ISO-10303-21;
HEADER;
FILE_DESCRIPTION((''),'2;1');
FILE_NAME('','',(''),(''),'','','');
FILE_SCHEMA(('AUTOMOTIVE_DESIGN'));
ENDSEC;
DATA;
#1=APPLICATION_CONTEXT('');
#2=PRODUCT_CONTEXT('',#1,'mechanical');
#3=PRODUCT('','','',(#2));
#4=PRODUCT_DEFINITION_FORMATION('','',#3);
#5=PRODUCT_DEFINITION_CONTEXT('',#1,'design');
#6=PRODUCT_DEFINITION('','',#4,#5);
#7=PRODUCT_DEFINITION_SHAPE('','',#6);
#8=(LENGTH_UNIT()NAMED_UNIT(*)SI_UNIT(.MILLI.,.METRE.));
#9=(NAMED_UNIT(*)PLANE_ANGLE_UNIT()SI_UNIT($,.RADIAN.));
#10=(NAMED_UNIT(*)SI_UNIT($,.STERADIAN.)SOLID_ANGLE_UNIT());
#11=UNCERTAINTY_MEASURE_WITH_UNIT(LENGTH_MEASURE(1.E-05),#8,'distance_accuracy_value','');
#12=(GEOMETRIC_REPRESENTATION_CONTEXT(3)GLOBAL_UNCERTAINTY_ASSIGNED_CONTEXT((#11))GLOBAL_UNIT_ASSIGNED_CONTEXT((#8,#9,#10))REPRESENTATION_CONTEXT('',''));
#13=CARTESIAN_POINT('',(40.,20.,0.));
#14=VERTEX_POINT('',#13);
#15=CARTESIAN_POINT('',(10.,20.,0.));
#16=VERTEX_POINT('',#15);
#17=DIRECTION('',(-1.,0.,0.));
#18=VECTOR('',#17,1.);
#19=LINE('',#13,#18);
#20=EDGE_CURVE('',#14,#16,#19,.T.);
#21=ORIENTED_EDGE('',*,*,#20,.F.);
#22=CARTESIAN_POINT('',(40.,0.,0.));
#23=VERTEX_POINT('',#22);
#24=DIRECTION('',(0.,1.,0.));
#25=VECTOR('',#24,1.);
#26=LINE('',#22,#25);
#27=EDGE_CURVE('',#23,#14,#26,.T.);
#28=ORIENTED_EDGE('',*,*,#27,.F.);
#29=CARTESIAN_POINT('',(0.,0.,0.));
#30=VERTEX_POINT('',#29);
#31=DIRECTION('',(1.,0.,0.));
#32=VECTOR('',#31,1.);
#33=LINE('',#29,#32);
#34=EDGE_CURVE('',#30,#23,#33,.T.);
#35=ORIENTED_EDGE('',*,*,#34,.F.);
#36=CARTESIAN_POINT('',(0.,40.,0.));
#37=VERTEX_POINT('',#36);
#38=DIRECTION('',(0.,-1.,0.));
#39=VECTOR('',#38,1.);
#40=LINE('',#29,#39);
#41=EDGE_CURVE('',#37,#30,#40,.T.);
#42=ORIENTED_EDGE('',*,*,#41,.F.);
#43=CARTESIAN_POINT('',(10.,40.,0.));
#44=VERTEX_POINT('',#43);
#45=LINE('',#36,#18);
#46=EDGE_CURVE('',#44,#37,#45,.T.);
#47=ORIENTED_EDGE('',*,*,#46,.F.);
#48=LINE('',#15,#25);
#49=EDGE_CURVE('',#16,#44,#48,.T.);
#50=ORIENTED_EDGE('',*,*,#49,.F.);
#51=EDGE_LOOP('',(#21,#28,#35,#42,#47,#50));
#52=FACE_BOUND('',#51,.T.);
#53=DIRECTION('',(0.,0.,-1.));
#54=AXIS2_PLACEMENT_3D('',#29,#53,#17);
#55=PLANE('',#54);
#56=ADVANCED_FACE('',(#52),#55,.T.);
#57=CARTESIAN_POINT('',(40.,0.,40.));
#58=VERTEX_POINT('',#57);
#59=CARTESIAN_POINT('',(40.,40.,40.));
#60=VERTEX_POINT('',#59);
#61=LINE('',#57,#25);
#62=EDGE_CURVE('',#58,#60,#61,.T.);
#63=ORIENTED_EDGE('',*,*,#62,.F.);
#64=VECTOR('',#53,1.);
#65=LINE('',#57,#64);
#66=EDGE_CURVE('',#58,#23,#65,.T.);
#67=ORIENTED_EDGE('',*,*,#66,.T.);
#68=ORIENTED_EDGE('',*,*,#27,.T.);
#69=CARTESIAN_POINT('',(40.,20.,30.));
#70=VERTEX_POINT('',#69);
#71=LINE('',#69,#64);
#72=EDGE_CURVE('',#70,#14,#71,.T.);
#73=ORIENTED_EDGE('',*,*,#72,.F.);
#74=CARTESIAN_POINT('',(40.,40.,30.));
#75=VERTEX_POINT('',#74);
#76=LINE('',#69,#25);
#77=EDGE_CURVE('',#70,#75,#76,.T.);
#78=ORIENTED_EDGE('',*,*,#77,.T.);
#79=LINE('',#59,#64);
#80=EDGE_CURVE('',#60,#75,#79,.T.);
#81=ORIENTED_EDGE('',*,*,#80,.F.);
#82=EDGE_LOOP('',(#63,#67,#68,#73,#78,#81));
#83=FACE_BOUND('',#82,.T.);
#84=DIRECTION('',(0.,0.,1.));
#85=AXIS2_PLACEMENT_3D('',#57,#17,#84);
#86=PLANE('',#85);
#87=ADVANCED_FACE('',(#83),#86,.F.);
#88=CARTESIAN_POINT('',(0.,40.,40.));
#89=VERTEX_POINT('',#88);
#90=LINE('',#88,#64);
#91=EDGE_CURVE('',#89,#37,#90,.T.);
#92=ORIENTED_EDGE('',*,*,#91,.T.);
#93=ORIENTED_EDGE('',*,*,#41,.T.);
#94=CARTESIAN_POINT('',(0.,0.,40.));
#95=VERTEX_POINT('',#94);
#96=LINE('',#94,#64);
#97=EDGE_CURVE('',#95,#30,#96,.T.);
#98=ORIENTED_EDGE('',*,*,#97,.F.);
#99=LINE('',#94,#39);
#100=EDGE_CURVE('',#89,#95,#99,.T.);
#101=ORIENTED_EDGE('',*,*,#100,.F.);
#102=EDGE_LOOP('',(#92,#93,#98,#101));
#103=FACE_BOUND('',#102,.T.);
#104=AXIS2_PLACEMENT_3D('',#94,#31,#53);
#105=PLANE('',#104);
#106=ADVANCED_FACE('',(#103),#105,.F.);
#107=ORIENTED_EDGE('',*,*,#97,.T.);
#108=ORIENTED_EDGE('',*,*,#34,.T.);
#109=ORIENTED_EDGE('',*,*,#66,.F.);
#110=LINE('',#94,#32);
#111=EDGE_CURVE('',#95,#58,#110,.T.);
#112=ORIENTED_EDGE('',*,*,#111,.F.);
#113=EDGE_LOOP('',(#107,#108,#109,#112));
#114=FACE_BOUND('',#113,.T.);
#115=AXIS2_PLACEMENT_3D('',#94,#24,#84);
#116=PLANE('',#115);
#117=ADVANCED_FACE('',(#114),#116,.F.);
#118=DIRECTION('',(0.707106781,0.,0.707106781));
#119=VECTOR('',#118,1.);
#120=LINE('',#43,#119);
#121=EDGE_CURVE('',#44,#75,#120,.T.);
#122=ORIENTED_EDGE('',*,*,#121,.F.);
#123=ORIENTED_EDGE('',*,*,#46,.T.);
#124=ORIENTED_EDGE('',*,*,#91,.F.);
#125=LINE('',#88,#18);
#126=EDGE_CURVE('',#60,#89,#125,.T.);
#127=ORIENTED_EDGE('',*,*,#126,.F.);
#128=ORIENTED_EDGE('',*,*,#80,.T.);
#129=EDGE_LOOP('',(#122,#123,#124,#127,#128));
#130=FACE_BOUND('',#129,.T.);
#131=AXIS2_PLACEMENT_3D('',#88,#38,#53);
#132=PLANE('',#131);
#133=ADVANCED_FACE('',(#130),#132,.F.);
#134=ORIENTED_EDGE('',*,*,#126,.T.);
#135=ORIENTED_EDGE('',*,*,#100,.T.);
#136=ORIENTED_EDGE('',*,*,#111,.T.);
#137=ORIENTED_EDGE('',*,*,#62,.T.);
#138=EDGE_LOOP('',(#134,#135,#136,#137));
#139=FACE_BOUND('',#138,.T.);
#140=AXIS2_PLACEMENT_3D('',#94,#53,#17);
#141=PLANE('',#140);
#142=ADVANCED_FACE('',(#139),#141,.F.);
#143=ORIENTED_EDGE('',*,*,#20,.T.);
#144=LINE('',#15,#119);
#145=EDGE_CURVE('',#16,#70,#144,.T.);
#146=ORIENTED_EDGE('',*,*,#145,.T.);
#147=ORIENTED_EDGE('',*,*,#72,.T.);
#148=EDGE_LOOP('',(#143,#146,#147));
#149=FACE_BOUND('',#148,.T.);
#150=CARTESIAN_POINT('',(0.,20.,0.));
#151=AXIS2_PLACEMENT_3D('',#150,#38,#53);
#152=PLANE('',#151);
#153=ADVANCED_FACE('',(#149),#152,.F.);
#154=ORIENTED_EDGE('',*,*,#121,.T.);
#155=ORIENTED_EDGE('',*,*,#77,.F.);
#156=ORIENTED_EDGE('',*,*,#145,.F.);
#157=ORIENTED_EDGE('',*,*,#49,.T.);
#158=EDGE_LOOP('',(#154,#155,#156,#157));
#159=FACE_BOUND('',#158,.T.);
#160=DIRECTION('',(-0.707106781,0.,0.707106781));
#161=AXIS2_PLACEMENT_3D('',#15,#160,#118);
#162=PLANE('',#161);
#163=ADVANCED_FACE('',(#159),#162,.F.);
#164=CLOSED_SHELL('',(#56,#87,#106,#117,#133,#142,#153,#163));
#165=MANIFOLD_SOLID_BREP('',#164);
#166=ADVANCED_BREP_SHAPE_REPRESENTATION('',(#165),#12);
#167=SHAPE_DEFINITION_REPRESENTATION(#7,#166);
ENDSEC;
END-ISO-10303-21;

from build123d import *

# Parameters (mm, degrees)
SKETCH1_W           = 40
SKETCH1_H           = 40
BOSS_EXTRUDE1_DEPTH = 40
CUT_EXTRUDE1_DEPTH  = 20


with BuildPart() as part:
    # Sketch1 → Boss-Extrude1 (new body)
    with BuildSketch(Plane.XY):
        with Locations((20, 20)):
            Rectangle(SKETCH1_W, SKETCH1_H)
    extrude(amount=BOSS_EXTRUDE1_DEPTH)

    # Sketch2 → Cut-Extrude1 (cut)
    with BuildSketch(Plane(origin=(0, 40, 0), x_dir=(1, 0, 0), z_dir=(0, 1, 0))):
        Polygon((10, 0), (40, -30), (40, 0), align=None)
    extrude(amount=-CUT_EXTRUDE1_DEPTH, mode=Mode.SUBTRACT)


solid = part.part
